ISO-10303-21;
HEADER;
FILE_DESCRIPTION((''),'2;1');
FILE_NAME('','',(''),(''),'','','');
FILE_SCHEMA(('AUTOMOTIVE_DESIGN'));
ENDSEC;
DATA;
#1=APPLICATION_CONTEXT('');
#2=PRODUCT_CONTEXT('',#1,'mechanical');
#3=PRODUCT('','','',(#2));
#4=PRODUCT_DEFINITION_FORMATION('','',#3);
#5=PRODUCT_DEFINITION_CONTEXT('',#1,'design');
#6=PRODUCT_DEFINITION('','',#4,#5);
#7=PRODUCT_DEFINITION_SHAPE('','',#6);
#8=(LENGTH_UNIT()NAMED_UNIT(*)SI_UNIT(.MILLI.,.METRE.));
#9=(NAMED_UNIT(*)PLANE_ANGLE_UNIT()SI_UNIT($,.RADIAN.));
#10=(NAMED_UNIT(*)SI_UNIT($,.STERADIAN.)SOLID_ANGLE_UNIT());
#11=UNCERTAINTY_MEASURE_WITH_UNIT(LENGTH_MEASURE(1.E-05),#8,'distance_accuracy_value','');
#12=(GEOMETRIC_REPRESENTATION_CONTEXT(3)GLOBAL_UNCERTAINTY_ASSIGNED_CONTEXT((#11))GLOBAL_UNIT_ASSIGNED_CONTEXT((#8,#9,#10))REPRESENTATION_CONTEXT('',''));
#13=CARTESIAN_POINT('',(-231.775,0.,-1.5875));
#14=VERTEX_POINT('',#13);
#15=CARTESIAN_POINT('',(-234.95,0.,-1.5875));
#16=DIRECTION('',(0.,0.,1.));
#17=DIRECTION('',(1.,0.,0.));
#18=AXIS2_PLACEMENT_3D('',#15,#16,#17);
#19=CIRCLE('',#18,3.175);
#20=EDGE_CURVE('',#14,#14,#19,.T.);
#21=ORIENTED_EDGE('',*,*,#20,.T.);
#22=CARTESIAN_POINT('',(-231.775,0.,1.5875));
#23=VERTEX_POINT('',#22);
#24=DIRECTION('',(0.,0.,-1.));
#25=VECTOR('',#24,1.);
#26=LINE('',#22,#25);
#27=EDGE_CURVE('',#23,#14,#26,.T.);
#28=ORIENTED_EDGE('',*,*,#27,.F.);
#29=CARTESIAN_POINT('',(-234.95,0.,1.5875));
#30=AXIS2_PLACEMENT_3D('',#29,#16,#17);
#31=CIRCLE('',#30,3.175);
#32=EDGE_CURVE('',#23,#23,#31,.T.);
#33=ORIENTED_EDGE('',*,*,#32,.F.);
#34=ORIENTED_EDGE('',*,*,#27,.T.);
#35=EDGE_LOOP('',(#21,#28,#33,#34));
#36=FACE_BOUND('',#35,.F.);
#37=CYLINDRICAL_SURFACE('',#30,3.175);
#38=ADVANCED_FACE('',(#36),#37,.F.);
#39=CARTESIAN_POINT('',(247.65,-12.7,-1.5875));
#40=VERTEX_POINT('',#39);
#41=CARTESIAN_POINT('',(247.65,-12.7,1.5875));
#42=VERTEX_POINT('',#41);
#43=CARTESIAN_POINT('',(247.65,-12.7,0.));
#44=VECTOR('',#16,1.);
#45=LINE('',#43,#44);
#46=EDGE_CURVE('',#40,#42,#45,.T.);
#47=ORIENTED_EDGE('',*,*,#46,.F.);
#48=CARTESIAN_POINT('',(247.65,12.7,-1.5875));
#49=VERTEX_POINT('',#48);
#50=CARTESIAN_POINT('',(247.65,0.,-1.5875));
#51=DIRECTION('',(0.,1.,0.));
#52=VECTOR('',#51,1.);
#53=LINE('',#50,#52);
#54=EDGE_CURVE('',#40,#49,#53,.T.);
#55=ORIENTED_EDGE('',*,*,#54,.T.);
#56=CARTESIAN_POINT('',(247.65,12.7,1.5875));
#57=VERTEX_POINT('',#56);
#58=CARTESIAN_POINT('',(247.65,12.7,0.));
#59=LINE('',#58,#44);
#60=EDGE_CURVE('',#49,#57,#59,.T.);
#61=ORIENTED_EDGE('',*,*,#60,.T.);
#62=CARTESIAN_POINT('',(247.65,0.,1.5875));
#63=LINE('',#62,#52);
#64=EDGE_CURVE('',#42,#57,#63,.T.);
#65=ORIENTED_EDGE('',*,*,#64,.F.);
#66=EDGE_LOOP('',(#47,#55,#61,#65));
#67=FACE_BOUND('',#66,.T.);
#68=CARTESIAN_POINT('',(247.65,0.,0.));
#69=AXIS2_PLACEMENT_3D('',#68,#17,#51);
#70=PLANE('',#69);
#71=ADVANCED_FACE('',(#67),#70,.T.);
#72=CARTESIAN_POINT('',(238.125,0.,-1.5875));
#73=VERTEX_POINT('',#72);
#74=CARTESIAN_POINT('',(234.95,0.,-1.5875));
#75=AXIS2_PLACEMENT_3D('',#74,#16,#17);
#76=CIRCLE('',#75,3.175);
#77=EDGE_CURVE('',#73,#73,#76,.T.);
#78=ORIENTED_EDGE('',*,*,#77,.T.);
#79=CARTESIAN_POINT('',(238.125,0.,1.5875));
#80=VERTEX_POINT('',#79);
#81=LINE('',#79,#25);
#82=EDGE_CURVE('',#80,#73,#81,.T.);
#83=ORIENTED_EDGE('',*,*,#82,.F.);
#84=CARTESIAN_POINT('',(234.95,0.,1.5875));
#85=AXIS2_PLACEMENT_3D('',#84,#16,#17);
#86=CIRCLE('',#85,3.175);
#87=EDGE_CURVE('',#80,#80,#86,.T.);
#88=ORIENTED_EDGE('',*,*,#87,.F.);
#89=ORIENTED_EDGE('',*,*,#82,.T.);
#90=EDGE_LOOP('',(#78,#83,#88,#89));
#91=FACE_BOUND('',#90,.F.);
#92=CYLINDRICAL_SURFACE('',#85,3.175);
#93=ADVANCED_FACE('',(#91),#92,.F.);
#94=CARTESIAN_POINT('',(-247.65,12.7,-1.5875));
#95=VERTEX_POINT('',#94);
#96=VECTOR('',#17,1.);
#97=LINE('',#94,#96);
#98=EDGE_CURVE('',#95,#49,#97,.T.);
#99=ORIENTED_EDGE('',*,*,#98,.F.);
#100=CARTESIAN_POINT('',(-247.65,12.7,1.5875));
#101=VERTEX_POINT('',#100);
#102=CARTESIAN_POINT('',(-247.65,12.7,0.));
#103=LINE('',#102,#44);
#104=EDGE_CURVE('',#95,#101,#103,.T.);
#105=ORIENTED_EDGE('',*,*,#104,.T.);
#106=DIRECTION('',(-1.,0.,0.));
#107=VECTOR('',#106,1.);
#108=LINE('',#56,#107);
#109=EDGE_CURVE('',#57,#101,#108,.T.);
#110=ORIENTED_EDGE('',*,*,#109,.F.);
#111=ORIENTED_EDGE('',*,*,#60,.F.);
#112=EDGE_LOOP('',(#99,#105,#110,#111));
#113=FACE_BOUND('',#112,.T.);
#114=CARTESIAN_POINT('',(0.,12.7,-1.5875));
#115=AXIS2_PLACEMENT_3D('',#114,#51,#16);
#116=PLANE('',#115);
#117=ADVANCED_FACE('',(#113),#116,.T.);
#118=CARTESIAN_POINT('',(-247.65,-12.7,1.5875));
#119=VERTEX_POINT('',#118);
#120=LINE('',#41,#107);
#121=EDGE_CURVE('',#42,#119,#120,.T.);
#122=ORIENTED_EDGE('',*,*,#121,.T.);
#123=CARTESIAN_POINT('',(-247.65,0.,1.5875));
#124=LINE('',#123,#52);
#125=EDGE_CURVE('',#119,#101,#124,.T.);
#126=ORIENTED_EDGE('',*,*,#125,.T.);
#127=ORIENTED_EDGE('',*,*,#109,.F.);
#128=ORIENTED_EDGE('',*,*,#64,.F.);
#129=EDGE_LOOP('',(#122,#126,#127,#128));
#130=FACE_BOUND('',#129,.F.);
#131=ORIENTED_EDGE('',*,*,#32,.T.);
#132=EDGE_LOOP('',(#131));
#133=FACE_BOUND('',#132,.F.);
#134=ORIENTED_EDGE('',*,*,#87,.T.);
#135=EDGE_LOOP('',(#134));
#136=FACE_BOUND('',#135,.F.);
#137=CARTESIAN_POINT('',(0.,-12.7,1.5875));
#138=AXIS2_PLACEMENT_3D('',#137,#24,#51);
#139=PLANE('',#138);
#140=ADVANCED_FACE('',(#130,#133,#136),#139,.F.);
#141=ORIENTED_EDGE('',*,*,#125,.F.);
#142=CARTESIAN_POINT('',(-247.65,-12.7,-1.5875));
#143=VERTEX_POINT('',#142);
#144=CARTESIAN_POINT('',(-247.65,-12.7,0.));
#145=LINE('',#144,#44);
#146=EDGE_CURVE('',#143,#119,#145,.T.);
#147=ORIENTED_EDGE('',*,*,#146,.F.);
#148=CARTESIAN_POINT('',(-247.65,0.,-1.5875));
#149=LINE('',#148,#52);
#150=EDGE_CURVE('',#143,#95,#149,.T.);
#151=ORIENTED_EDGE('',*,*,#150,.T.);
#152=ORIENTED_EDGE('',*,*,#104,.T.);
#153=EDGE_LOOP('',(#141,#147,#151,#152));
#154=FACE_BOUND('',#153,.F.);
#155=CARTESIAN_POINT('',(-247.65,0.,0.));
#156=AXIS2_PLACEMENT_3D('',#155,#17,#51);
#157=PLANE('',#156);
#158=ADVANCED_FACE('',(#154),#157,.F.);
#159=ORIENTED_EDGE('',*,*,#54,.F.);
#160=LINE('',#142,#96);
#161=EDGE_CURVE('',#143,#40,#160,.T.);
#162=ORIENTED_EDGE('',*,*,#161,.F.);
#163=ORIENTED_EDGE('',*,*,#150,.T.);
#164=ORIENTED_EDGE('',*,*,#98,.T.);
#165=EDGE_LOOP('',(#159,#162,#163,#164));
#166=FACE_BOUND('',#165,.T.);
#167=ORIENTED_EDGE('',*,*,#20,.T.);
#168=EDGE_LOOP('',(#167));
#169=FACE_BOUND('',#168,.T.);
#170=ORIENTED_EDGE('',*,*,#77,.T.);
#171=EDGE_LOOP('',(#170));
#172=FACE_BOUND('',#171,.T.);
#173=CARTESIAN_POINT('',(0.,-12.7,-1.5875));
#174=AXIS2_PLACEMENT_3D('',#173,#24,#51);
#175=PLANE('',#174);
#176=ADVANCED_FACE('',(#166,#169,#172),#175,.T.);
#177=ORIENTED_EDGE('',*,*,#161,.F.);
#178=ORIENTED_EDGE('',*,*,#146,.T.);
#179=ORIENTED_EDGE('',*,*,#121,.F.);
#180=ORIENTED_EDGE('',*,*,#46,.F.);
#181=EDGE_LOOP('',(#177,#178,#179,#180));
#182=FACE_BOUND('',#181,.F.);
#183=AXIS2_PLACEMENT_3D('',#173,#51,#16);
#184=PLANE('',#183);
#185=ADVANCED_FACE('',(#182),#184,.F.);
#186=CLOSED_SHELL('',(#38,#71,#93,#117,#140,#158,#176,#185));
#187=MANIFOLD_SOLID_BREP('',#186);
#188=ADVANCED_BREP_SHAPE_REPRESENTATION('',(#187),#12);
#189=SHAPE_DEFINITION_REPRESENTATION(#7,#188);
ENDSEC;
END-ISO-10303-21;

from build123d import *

# Parameters (mm, degrees)
F0_W     = 25.4
F0_H     = 3.175
F1_DEPTH = 247.65
F2_R     = 3.175
F3_DEPTH = 3.176


with BuildPart() as f1:
    # F0 (on Right) → F1 (new body, symmetric)
    with BuildSketch(Plane.YZ):
        Rectangle(F0_W, F0_H)
    extrude(amount=F1_DEPTH, both=True)

    # F2 (on face) → F3 (cut, through all)
    with BuildSketch(Plane.XY.offset(1.5875)):
        with Locations((234.95, 0)):
            Circle(F2_R)
        with Locations((-234.95, 0)):
            Circle(F2_R)
    extrude(amount=-F3_DEPTH, mode=Mode.SUBTRACT)


solid = f1.part
